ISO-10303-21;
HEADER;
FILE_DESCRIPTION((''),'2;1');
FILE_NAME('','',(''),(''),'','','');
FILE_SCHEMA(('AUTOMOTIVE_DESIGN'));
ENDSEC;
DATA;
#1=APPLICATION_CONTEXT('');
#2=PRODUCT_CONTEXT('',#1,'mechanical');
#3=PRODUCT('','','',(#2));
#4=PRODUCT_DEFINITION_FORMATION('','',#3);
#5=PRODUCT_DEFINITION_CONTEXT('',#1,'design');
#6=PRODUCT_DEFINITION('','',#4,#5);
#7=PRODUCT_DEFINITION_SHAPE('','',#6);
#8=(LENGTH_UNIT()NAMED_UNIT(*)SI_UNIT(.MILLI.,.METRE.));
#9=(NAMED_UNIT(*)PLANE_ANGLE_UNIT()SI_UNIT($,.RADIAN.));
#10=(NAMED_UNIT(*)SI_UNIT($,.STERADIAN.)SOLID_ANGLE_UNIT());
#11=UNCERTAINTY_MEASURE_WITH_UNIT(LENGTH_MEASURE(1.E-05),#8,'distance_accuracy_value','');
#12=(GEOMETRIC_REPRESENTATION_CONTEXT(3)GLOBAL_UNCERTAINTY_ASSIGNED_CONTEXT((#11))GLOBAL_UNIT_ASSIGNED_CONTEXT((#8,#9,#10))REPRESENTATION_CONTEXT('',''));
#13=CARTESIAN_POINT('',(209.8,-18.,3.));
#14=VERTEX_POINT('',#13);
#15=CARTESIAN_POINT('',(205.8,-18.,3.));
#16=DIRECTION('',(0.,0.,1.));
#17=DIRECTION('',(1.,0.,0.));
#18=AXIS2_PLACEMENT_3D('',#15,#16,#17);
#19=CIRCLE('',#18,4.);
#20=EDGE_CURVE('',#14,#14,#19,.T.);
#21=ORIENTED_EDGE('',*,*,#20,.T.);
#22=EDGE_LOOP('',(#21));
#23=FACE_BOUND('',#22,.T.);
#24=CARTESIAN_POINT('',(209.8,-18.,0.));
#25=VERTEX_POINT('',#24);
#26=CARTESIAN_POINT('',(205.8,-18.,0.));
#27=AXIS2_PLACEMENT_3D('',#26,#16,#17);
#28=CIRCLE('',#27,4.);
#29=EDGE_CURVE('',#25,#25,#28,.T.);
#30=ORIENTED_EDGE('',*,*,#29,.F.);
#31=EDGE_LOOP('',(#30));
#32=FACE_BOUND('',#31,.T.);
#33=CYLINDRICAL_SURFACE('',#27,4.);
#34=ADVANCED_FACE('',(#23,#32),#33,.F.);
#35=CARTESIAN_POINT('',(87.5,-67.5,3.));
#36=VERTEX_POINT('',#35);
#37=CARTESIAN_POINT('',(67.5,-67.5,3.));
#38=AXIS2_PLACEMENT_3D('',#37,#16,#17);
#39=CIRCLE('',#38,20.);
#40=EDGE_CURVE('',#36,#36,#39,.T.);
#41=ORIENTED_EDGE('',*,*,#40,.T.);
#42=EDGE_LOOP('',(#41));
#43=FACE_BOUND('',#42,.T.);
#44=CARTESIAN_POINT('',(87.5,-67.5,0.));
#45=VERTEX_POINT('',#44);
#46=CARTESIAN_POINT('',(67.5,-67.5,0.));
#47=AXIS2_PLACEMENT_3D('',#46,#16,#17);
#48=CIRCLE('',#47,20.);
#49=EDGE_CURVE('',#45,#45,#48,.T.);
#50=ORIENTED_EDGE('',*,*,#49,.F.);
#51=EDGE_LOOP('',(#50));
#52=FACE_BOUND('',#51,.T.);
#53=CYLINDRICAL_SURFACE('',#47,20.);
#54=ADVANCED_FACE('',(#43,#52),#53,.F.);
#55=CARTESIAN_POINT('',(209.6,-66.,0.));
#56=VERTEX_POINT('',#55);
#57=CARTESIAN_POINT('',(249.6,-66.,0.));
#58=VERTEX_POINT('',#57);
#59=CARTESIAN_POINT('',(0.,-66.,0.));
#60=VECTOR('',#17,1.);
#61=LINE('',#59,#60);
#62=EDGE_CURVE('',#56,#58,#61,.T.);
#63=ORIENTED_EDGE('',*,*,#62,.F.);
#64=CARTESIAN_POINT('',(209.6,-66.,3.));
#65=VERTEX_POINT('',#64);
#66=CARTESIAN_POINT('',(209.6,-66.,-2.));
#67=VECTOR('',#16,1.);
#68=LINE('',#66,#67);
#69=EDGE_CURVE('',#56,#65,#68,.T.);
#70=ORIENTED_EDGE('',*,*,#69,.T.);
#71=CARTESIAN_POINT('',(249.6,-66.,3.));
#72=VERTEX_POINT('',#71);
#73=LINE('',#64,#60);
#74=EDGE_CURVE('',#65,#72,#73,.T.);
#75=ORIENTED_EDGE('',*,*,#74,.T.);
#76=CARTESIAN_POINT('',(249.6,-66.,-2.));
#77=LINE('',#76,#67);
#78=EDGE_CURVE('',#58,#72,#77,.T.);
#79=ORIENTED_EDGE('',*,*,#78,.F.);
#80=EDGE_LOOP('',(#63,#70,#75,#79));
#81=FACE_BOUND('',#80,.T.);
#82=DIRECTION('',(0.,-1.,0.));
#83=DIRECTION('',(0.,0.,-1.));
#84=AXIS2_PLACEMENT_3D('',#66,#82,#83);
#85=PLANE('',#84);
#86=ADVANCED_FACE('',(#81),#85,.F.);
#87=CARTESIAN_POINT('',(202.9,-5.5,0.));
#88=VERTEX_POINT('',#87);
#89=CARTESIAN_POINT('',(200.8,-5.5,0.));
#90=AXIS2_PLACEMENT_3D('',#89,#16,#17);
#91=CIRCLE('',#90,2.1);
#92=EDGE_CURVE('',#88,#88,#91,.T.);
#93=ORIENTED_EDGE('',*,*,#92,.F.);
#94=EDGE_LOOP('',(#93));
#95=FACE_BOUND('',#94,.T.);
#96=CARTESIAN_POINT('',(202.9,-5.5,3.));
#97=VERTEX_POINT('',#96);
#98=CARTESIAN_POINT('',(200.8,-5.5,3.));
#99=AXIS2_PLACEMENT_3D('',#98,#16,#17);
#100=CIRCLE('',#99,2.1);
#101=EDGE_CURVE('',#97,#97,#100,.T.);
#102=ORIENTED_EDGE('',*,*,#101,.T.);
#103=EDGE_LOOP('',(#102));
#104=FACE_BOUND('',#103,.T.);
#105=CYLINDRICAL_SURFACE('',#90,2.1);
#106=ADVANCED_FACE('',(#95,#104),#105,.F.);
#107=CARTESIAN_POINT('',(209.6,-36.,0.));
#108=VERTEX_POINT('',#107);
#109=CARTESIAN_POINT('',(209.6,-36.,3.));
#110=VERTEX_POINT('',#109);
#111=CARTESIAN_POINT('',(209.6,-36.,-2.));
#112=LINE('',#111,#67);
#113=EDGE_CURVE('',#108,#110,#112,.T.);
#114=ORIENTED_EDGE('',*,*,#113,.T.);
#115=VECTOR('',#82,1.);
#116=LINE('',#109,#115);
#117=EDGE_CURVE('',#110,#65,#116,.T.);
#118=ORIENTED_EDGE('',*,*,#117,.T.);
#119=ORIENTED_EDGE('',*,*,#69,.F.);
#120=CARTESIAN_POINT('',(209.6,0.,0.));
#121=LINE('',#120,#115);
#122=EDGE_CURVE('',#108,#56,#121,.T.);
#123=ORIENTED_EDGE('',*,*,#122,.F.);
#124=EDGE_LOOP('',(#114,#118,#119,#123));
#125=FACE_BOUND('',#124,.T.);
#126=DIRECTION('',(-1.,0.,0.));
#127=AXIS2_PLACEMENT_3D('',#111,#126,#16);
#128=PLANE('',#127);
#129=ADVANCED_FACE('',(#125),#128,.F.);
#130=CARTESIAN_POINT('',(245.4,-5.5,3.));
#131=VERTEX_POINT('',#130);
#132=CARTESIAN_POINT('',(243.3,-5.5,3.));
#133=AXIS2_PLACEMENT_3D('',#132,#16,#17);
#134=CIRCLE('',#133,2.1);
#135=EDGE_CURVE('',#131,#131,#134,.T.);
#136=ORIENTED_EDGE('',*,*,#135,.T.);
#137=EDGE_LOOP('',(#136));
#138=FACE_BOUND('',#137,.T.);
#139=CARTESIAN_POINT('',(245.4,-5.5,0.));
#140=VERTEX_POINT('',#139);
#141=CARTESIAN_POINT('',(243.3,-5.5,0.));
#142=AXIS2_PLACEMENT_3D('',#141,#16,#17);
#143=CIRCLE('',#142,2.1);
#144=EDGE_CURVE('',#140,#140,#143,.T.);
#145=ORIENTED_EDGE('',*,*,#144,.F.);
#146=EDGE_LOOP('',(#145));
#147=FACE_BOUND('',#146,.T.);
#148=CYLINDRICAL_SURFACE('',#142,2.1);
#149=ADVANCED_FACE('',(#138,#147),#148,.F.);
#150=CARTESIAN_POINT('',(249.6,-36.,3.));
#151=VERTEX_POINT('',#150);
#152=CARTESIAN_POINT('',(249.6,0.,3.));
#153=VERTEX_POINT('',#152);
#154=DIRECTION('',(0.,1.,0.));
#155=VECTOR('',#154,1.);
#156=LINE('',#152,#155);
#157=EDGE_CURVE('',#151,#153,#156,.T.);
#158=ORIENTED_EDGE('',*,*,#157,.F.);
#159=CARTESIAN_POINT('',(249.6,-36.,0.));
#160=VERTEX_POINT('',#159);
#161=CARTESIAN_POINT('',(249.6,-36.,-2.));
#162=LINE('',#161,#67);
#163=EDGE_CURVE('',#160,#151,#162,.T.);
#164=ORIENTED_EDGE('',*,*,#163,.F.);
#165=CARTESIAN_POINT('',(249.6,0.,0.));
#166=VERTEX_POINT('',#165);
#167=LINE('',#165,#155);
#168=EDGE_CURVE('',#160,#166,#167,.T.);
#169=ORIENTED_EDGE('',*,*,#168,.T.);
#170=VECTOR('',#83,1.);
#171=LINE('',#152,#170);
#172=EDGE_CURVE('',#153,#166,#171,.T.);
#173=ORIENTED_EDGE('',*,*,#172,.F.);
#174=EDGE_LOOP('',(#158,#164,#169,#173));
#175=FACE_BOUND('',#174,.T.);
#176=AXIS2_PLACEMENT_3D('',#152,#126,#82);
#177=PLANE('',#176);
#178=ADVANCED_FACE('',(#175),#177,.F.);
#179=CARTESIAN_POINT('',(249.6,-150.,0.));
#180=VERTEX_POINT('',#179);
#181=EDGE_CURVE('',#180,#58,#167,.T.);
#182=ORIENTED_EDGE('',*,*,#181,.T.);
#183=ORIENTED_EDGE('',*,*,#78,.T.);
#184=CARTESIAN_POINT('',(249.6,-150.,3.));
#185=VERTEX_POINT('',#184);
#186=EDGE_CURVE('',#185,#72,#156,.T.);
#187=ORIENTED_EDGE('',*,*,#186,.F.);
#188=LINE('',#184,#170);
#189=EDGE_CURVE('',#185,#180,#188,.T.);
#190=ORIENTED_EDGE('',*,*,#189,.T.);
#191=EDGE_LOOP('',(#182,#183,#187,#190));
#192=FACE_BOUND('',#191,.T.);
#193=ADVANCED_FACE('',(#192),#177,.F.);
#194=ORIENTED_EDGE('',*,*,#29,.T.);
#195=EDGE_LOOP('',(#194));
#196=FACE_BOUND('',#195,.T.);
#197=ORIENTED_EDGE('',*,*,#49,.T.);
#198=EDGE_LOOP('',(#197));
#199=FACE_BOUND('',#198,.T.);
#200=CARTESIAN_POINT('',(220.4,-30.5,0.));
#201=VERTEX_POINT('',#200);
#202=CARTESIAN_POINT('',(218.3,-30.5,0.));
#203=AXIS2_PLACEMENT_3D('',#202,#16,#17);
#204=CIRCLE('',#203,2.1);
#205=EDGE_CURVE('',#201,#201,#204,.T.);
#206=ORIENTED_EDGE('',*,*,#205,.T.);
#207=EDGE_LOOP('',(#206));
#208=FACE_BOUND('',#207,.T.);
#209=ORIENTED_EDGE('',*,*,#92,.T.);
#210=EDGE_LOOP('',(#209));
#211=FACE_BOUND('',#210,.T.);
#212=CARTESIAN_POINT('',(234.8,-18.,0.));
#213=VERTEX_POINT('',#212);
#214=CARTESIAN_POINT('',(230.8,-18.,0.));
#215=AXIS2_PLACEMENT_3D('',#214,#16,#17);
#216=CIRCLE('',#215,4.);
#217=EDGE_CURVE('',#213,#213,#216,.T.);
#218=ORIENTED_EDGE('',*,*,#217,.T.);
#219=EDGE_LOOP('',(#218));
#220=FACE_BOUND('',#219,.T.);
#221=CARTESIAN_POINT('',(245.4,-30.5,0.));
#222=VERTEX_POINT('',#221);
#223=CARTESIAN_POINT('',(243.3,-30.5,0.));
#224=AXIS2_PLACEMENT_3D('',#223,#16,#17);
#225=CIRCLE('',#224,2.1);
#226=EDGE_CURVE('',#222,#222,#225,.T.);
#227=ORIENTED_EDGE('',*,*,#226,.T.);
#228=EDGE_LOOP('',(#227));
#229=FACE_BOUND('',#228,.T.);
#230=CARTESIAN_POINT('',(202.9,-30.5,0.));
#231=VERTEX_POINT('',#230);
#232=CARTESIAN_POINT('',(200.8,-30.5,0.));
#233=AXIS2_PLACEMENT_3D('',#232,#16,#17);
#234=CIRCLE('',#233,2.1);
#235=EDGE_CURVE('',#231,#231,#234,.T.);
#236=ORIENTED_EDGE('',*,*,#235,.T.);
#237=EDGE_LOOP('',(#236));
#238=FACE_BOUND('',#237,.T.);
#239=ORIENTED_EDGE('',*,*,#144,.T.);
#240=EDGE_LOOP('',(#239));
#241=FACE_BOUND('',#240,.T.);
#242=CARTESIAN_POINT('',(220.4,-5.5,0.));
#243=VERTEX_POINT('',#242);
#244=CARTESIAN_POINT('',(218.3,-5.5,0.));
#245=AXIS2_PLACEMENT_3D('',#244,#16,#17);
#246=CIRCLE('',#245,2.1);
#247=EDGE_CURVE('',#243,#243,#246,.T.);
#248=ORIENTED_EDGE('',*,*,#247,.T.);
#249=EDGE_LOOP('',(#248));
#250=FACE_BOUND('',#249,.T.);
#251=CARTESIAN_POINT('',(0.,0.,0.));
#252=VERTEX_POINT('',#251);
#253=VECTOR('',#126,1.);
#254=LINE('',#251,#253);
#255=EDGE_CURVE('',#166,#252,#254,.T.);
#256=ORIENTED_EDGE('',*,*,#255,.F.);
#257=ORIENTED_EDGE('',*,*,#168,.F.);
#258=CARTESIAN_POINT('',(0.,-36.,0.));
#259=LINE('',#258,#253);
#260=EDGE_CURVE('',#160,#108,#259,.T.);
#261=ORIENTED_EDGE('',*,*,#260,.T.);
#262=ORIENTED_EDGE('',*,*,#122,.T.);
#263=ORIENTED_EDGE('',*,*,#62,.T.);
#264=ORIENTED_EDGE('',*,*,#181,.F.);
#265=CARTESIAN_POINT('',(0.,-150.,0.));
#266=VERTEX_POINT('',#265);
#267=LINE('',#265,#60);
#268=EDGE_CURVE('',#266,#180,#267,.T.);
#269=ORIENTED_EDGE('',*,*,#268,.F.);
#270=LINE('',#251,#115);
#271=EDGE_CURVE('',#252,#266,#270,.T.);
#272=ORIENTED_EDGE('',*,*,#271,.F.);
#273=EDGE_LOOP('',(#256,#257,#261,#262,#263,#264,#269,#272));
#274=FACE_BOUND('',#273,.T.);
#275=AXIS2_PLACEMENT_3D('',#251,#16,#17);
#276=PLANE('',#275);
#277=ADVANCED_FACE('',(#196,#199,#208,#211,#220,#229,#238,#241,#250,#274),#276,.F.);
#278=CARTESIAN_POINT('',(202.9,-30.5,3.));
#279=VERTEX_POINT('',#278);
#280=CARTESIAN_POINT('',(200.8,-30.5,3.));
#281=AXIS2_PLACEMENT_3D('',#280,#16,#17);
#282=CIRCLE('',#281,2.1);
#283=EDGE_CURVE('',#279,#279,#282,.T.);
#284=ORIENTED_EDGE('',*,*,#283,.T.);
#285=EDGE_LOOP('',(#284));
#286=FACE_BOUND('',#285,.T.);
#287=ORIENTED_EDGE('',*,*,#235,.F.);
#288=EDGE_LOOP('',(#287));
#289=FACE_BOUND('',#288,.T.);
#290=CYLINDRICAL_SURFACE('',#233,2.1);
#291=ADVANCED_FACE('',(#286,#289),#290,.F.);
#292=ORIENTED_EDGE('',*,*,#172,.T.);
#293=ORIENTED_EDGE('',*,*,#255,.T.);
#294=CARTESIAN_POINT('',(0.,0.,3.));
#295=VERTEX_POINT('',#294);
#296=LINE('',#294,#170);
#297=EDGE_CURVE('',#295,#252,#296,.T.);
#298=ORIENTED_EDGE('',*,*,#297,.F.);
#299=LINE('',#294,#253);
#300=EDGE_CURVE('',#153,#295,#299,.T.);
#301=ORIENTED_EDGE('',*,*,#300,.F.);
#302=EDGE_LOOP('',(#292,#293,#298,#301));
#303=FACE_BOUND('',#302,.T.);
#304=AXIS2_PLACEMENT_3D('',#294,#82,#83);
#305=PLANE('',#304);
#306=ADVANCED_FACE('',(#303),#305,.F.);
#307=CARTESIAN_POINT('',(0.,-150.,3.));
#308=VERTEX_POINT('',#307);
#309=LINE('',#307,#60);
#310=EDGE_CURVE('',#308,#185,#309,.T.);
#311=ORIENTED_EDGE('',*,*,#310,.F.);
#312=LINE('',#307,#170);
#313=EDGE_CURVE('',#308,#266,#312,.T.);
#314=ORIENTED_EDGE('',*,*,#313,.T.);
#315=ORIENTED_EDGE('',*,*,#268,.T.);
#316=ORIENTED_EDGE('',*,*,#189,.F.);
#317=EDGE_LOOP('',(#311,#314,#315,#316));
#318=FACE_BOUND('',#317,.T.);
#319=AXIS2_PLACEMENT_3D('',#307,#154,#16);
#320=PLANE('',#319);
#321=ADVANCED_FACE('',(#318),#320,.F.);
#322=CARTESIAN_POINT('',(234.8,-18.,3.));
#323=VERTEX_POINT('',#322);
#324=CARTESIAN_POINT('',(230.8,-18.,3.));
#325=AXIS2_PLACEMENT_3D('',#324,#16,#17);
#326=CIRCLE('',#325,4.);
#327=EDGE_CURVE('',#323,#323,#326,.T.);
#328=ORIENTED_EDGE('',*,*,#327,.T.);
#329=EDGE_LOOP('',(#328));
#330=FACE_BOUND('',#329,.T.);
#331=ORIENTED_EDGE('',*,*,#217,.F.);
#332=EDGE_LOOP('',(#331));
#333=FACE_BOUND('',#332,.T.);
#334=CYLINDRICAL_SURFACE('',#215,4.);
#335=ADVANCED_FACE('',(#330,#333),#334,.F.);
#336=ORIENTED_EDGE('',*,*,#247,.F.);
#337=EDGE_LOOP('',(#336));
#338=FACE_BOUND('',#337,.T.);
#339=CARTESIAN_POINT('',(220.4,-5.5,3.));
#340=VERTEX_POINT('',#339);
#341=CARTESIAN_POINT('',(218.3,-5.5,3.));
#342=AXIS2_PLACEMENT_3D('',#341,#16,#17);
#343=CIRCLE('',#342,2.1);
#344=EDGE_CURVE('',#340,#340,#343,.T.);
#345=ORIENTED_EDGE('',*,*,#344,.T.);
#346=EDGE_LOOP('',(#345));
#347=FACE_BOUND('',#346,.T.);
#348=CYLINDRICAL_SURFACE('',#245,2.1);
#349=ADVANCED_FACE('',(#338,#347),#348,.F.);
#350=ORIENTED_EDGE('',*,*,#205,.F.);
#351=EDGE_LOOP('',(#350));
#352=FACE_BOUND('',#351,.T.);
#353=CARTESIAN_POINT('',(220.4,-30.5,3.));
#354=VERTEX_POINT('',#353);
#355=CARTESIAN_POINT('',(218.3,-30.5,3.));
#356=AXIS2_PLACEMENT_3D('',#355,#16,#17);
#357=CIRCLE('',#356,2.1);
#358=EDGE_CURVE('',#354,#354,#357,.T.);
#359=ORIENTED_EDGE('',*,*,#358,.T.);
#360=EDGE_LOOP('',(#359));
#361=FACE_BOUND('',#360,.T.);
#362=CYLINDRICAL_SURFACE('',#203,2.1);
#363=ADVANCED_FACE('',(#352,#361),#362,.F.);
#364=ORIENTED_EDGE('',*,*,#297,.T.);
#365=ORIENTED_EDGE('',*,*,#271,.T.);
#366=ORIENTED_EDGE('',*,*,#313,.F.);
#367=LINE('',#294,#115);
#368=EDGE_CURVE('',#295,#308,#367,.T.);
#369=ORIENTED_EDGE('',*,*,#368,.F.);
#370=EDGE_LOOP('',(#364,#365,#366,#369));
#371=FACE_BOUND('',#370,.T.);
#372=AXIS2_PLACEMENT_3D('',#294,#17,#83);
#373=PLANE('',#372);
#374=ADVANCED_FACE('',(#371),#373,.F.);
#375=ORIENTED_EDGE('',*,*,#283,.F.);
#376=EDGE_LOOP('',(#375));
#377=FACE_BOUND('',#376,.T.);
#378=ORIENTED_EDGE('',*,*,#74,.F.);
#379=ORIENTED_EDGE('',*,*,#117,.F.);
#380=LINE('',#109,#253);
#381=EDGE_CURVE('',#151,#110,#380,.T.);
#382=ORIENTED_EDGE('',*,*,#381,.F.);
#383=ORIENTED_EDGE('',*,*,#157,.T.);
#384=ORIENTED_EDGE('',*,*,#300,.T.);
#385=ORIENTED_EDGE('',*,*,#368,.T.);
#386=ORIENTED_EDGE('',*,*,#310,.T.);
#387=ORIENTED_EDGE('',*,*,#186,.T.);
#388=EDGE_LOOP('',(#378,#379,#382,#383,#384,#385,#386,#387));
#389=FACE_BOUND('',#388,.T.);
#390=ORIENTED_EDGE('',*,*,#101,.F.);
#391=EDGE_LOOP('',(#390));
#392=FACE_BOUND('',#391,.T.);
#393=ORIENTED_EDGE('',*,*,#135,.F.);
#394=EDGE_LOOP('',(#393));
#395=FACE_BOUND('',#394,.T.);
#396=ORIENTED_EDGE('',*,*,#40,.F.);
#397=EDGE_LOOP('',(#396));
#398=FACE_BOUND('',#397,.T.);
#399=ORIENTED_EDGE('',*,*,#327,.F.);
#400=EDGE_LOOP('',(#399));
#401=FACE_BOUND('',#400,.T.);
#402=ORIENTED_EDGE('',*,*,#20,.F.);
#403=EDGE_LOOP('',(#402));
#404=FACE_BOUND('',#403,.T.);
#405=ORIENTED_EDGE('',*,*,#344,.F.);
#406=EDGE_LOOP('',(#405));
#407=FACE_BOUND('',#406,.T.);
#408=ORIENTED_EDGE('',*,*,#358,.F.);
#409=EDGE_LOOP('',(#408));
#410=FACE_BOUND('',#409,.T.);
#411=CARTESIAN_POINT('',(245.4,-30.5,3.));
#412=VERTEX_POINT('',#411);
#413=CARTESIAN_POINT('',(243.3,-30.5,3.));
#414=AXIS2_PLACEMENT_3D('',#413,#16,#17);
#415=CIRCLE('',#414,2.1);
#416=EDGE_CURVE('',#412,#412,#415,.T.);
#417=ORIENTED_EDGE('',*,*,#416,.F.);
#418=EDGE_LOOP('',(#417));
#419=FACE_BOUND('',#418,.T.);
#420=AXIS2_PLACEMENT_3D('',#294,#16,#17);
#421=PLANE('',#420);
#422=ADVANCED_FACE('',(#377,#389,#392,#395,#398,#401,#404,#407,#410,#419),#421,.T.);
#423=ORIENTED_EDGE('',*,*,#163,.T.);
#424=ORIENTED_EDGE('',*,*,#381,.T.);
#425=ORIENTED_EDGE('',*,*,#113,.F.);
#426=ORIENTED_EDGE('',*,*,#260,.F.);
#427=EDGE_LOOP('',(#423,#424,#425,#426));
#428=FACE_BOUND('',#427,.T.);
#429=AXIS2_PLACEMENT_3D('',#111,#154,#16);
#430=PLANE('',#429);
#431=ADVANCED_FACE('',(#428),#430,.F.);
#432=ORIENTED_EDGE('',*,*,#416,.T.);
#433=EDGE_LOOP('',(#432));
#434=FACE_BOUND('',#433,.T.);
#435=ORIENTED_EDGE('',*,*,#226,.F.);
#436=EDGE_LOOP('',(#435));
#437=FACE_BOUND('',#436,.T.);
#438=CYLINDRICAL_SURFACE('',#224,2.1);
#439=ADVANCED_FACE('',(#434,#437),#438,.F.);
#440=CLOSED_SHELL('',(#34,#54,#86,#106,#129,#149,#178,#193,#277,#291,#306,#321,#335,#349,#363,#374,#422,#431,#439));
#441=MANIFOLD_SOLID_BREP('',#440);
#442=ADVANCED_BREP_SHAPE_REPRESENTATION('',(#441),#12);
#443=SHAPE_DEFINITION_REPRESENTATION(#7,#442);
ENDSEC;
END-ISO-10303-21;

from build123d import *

# Parameters (mm, degrees)
SKETCH1_W           = 249.6
SKETCH1_H           = 150
BOSS_EXTRUDE1_DEPTH = 3
SKETCH2_R           = 20
CUT_EXTRUDE1_DEPTH  = 4
SKETCH3_W           = 40
SKETCH3_H           = 30
CUT_EXTRUDE2_DEPTH  = 5
SKETCH4_R           = 2.1
SKETCH4_R_2         = 4
CUT_EXTRUDE3_DEPTH  = 4


with BuildPart() as part:
    # Sketch1 → Boss-Extrude1 (new body)
    with BuildSketch(Plane.XY):
        with Locations((124.8, -75)):
            Rectangle(SKETCH1_W, SKETCH1_H)
    extrude(amount=BOSS_EXTRUDE1_DEPTH)

    # Sketch2 → Cut-Extrude1 (cut, through all)
    with BuildSketch(Plane.XY.offset(3)):
        with Locations((67.5, -67.5)):
            Circle(SKETCH2_R)
    extrude(amount=-CUT_EXTRUDE1_DEPTH, mode=Mode.SUBTRACT)

    # Sketch3 → Cut-Extrude2 (cut)
    with BuildSketch(Plane.XY.offset(3)):
        with Locations((229.6, -51)):
            Rectangle(SKETCH3_W, SKETCH3_H)
    extrude(amount=-CUT_EXTRUDE2_DEPTH, mode=Mode.SUBTRACT)

    # Sketch4 → Cut-Extrude3 (cut, through all)
    with BuildSketch(Plane.XY.offset(3)):
        with Locations((200.8, -5.5)):
            Circle(SKETCH4_R)
        with Locations((218.3, -5.5)):
            Circle(SKETCH4_R)
        with Locations((205.8, -18)):
            Circle(SKETCH4_R_2)
        with Locations((200.8, -30.5)):
            Circle(SKETCH4_R)
        with Locations((218.3, -30.5)):
            Circle(SKETCH4_R)
        with Locations((243.3, -5.5)):
            Circle(SKETCH4_R)
        with Locations((243.3, -30.5)):
            Circle(SKETCH4_R)
        with Locations((230.8, -18)):
            Circle(SKETCH4_R_2)
    extrude(amount=-CUT_EXTRUDE3_DEPTH, mode=Mode.SUBTRACT)


solid = part.part
